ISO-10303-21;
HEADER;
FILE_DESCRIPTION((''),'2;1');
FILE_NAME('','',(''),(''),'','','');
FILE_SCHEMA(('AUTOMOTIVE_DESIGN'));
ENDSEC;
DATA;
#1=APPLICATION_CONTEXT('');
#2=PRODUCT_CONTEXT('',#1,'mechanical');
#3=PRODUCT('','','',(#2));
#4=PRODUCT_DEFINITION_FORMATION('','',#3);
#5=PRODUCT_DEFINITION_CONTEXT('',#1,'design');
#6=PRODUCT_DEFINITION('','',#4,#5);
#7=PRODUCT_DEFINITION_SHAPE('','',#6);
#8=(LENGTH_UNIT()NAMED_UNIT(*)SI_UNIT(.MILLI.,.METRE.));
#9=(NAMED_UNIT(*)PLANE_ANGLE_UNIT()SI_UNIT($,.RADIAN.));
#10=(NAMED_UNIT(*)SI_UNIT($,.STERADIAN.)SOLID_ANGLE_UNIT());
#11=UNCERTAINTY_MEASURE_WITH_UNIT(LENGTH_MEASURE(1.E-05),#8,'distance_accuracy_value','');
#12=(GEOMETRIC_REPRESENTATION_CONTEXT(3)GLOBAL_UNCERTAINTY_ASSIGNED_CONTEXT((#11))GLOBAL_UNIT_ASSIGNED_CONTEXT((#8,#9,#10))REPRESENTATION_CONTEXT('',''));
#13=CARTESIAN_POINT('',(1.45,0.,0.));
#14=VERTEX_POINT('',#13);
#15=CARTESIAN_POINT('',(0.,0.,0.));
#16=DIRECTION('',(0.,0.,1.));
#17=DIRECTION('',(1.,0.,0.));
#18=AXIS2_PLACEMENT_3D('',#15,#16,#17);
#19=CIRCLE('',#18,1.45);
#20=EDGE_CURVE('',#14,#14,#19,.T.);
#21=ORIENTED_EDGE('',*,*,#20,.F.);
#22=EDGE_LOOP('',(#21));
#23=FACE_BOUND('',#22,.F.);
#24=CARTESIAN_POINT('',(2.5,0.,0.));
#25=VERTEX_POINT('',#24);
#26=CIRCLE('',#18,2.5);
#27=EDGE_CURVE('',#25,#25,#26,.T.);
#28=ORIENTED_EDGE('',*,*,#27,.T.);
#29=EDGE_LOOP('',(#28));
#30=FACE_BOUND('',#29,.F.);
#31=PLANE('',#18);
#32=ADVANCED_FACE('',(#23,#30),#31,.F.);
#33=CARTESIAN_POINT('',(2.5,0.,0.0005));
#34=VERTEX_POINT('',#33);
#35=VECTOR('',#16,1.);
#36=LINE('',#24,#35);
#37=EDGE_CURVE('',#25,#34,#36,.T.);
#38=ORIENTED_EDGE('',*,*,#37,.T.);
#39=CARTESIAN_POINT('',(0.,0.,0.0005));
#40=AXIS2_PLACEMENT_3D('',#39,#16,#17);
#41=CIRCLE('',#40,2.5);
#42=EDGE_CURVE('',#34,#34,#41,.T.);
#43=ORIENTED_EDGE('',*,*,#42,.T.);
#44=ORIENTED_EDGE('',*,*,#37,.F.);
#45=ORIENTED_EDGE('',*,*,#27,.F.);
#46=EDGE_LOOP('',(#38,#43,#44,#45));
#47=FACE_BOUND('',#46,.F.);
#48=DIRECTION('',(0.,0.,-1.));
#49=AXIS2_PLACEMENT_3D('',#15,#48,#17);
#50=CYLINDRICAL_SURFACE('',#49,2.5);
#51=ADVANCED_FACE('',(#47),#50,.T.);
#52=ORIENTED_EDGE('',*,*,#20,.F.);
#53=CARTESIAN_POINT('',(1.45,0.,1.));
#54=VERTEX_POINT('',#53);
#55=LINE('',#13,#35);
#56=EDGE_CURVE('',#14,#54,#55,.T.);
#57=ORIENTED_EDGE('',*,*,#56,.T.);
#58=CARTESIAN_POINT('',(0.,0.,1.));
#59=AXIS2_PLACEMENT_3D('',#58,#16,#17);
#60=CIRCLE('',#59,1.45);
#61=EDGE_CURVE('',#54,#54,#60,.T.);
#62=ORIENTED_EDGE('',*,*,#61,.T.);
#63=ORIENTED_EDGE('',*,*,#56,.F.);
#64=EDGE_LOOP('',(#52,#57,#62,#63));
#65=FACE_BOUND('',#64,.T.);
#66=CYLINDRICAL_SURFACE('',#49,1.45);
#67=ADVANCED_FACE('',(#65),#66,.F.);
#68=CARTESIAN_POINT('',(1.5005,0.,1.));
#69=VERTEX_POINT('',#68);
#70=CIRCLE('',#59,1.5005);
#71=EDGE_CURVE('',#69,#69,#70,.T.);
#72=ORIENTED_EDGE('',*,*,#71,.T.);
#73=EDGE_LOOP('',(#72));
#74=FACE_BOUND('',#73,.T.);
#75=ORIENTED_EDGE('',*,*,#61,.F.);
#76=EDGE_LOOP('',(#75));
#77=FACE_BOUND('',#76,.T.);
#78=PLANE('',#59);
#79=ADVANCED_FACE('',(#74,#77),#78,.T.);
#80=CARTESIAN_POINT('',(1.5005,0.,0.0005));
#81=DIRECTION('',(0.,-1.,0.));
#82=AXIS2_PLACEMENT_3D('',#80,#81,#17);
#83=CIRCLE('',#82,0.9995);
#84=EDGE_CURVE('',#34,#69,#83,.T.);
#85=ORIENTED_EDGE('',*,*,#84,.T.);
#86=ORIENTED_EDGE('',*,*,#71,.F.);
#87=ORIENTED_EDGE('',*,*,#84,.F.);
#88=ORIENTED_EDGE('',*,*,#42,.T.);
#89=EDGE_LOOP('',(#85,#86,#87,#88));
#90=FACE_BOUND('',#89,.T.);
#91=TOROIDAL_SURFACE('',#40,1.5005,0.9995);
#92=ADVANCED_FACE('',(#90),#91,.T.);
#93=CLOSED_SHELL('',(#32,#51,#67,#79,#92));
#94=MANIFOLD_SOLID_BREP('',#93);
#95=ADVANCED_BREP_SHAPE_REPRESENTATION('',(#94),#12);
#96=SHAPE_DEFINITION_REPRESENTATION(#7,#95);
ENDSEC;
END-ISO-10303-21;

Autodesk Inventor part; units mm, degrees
ref_plane "YZ Plane" through (0, 0, 0) normal (1, 0, 0) x (0, 1, 0)
ref_plane "XZ Plane" through (0, 0, 0) normal (0, 1, 0) x (-1, 0, 0)
ref_plane "XY Plane" through (0, 0, 0) normal (0, 0, 1) x (1, 0, 0)
sketch "Sketch1" plane through (0, 0, 0) normal (0, 0, 1) x (1, 0, 0)
  circle A0 centre (0, 0) radius 1.45
  circle A1 centre (0, 0) radius 2.5
  dimension "d0" = 2.9
  dimension "d1" = 5
extrude "Extrusion1" add sketch "Sketch1" along normal blind 1
fillet "Fillet1" radius 1 1 edges at (-2.5, 0, 1)
properties material "Rubber"
